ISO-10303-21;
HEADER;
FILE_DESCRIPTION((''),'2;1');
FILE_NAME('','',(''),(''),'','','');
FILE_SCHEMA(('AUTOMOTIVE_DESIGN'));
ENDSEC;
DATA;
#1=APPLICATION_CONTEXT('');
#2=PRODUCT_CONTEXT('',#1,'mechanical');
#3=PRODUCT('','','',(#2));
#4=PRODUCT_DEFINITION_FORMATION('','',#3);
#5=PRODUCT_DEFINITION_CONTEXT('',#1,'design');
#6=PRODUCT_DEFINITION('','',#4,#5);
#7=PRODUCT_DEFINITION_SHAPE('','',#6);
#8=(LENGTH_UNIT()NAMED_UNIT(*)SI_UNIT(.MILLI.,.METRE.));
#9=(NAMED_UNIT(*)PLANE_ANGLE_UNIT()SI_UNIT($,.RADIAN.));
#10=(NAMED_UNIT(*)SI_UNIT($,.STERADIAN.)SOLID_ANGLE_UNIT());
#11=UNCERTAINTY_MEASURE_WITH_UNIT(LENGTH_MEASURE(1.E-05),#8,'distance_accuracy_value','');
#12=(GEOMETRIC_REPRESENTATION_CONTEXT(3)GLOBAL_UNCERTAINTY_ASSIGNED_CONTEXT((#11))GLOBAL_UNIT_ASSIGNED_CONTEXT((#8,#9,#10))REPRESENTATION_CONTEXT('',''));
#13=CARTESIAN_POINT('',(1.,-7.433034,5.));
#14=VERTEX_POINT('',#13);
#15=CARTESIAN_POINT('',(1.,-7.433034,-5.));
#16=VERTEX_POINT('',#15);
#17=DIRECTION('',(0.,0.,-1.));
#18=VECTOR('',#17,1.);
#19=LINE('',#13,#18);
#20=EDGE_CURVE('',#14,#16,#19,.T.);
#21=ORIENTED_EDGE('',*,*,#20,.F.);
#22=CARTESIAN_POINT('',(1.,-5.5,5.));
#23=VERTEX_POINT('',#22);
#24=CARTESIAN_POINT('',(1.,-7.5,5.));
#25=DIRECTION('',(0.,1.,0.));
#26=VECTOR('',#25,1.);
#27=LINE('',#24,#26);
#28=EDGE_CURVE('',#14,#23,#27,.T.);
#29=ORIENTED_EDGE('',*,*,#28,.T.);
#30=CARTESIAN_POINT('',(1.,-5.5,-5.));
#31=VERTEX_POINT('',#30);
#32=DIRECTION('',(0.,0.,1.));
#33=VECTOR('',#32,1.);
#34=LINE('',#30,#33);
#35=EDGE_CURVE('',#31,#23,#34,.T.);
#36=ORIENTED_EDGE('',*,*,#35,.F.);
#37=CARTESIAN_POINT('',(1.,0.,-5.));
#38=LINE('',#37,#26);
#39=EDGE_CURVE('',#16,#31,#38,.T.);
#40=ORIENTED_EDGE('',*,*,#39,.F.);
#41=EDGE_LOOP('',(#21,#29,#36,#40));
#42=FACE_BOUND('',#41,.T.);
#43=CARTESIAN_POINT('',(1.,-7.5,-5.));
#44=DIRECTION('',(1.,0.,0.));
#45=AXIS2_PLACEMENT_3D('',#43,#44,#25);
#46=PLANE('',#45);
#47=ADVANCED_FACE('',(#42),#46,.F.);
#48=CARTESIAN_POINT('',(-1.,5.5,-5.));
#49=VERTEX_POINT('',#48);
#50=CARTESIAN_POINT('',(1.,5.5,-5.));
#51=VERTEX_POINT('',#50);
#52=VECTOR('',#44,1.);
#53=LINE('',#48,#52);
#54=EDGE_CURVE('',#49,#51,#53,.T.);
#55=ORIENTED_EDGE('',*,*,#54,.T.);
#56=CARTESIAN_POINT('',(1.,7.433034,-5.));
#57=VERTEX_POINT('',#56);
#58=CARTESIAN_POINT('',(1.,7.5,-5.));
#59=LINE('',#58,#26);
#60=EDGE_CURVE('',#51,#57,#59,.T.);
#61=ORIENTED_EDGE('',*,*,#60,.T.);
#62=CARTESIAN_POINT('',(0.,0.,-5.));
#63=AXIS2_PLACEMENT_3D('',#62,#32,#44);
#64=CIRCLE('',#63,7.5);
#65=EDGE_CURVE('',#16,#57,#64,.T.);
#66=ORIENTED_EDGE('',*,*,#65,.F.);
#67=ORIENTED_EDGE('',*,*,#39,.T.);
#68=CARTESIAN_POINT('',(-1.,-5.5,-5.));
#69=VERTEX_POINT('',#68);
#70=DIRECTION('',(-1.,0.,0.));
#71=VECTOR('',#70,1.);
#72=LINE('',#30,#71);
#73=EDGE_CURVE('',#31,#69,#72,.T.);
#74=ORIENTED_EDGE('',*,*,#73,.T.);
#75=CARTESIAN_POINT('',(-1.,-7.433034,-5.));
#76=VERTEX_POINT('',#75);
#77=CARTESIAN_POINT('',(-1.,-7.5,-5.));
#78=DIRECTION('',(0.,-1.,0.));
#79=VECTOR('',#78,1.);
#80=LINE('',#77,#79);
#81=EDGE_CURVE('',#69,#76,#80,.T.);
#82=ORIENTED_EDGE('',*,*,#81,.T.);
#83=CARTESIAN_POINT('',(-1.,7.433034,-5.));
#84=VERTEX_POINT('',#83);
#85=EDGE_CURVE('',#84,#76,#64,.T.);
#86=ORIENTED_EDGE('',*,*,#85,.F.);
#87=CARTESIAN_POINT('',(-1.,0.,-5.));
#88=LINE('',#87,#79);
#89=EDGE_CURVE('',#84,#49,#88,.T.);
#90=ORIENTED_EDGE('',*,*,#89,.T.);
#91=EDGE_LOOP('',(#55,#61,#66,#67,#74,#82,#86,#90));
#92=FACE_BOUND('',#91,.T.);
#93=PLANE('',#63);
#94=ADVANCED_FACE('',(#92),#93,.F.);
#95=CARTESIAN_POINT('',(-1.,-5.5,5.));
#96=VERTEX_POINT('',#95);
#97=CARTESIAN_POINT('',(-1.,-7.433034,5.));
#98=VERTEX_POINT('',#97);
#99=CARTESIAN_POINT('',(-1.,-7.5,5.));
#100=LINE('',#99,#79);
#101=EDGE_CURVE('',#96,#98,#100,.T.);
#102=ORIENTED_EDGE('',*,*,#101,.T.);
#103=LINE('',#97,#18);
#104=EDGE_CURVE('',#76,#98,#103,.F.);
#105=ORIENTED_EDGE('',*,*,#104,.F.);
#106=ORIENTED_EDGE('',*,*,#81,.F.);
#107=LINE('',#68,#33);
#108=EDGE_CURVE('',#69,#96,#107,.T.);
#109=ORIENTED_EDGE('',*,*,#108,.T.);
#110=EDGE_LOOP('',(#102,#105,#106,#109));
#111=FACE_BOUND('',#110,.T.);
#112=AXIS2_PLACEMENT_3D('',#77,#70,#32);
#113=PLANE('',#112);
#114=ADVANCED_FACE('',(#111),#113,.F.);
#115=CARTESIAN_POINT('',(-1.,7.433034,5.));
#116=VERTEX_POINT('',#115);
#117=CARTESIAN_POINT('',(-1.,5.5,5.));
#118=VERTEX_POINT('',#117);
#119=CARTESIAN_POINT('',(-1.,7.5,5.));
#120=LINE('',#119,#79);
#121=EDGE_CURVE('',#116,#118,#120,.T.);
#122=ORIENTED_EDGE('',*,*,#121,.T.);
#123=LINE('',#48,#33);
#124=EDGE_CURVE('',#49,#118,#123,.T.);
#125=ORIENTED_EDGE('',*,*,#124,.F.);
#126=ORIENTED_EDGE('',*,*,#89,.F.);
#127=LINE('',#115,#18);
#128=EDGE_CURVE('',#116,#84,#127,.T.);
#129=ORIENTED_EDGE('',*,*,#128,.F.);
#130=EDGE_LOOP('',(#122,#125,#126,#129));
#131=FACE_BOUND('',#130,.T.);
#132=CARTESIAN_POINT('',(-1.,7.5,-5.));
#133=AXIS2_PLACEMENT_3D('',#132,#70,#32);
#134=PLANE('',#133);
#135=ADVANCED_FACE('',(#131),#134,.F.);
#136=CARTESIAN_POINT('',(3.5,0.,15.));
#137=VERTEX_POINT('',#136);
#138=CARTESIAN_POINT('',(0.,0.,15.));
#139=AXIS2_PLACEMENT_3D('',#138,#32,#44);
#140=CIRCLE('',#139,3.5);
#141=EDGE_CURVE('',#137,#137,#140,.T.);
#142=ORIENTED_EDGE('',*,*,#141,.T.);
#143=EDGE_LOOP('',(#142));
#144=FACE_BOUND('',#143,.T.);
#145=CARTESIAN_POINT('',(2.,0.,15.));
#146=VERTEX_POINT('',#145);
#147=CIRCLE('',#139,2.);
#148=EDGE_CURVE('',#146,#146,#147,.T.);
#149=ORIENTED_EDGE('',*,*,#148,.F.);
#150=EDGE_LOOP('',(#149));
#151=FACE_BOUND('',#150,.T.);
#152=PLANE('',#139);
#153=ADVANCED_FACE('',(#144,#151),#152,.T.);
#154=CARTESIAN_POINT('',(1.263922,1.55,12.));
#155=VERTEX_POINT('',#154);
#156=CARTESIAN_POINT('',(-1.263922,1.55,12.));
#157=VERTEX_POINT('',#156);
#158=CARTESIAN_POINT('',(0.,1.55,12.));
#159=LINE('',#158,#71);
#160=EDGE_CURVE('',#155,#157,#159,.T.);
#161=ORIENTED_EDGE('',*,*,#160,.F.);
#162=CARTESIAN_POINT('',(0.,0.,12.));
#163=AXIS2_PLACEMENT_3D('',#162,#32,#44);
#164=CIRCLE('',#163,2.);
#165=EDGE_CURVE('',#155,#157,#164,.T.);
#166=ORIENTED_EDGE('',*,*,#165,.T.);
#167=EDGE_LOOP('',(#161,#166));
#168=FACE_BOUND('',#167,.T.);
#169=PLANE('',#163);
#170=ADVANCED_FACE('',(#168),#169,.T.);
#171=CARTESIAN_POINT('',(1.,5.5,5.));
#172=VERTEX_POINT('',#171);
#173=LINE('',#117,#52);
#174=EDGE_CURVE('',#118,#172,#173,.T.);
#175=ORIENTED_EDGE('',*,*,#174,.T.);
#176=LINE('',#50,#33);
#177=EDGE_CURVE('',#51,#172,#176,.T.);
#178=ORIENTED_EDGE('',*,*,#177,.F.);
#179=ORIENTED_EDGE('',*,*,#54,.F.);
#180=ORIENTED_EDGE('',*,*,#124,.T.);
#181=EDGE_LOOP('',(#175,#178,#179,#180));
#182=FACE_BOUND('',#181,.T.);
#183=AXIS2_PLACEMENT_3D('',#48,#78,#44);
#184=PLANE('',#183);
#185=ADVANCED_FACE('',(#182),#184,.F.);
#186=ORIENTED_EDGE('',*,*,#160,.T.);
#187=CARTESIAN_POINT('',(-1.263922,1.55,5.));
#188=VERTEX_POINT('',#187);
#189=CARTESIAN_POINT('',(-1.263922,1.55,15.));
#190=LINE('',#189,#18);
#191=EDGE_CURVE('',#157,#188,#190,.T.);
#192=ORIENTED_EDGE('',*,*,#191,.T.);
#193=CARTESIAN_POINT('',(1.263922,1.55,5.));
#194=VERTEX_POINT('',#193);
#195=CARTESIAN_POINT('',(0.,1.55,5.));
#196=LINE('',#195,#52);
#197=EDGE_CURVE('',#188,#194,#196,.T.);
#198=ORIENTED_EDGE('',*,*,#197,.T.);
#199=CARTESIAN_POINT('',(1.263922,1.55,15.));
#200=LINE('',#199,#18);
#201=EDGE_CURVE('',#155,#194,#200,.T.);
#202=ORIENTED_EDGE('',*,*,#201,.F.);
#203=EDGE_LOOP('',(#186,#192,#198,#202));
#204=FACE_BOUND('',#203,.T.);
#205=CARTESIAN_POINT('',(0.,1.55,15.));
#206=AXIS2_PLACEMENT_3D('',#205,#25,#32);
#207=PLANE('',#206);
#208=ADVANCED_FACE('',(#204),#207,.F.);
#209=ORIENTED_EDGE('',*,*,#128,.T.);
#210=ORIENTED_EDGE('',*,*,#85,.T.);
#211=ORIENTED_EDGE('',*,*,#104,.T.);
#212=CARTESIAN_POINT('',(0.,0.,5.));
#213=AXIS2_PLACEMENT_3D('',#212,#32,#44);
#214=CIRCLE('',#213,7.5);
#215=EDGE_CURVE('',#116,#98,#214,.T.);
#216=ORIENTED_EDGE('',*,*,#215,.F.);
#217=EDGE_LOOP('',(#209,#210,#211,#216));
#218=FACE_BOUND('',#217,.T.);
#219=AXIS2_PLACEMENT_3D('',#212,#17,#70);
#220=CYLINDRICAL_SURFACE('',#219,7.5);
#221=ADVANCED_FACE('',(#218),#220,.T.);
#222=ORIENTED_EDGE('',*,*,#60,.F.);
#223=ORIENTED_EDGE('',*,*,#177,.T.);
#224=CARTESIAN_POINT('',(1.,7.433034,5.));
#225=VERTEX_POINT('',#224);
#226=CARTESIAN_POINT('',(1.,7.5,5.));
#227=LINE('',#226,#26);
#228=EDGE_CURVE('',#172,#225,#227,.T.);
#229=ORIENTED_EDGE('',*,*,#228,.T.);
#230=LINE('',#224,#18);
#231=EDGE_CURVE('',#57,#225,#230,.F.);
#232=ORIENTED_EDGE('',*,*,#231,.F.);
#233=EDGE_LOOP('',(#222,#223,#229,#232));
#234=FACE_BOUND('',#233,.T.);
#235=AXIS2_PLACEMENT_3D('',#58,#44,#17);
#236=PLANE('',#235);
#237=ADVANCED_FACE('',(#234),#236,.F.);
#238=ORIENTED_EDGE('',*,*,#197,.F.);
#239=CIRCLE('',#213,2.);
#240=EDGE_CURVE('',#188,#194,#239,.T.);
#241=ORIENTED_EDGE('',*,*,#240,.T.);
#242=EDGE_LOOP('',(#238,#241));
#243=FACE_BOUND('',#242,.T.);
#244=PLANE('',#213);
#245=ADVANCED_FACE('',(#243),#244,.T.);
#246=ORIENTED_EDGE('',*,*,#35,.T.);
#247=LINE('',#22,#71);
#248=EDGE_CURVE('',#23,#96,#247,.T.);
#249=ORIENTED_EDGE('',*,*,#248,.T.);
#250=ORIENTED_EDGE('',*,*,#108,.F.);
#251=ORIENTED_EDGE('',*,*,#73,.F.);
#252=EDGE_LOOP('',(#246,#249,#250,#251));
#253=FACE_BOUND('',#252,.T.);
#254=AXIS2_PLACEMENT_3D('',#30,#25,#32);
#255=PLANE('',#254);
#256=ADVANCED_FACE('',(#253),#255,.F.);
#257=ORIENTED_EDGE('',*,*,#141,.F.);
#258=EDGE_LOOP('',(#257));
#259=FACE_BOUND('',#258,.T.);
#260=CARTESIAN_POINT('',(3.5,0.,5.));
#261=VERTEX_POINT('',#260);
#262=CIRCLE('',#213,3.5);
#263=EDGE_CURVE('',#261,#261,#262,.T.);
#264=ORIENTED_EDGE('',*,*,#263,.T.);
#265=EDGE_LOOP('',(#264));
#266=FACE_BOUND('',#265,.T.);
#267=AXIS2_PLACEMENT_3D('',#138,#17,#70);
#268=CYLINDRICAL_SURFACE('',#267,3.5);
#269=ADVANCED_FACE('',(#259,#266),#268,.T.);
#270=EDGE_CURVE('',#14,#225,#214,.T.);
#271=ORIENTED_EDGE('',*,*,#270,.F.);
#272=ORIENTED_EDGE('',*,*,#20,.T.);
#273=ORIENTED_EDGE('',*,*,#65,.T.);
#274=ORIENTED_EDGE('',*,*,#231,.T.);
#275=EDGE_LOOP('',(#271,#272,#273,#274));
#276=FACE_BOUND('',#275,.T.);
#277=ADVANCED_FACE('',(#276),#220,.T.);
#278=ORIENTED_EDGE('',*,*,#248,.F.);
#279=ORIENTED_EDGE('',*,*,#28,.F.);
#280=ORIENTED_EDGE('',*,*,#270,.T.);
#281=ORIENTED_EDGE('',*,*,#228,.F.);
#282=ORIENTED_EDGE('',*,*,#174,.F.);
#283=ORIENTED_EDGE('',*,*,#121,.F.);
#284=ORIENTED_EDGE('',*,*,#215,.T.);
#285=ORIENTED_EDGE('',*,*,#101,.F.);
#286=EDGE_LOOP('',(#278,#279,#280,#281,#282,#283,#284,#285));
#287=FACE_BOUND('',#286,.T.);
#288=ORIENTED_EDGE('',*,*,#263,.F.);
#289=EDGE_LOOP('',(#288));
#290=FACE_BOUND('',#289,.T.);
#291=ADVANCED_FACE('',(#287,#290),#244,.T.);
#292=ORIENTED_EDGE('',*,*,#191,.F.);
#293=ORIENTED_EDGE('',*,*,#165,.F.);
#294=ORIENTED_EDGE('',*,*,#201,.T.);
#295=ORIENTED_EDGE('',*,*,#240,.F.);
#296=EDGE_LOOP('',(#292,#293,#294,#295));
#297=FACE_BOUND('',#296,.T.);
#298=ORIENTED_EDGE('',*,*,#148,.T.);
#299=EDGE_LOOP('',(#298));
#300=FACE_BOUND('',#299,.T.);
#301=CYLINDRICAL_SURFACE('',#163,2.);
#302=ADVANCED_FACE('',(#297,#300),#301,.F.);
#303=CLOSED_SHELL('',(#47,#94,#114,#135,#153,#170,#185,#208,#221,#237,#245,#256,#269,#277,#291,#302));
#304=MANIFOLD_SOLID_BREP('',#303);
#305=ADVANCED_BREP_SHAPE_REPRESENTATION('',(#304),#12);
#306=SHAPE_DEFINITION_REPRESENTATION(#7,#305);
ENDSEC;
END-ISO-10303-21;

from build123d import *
from build123d.topology import SkipClean

# Parameters (mm, degrees)
SKETCH_1_R               = 7.5
EXTRUDE_1_DEPTH          = 5
SKETCH_6_R               = 3.5
EXTRUDE_2_DEPTH          = 10
SKETCH_7_R               = 2
CUT_EXTRUDE_1_DEPTH      = 3
CUT_EXTRUDE_2_DEPTH      = 21.03746491
CUT_EXTRUDE_2_DEPTH_BACK = 7
SKETCH_10_W              = 2
SKETCH_10_H              = 2
CUT_EXTRUDE_4_DEPTH      = 10


with BuildPart() as part:
    # Эскиз1 → Бобышка-Вытянуть1 (new, symmetric)
    with BuildSketch(Plane.XY):
        Circle(SKETCH_1_R)
    extrude(amount=EXTRUDE_1_DEPTH, both=True)

    # Эскиз6 → Бобышка-Вытянуть2 (add)
    with BuildSketch(Plane.XY.offset(5)):
        Circle(SKETCH_6_R)
    extrude(amount=EXTRUDE_2_DEPTH)

    # Эскиз7 → Вырез-Вытянуть1 (cut)
    with BuildSketch(Plane.XY.offset(15)):
        Circle(SKETCH_7_R)
    extrude(amount=-CUT_EXTRUDE_1_DEPTH, mode=Mode.SUBTRACT)

    # Эскиз8 → Вырез-Вытянуть2 (cut, two sides: drawn at the far end of the back side and taken through both)
    with SkipClean():  # the faces are left unmerged after this step: merging them gives an invalid solid
        with BuildSketch(Plane.XY.offset(12).offset(-CUT_EXTRUDE_2_DEPTH_BACK)):
            with BuildLine():
                Line((1.263922466, 1.55), (-1.263922466, 1.55))
                ThreePointArc((-1.263922466, 1.55), (-0.85794961, -1.806632908), (2, 0))
                ThreePointArc((2, 0), (1.806632908, 0.85794961), (1.263922466, 1.55))
            make_face()
        extrude(amount=CUT_EXTRUDE_2_DEPTH + CUT_EXTRUDE_2_DEPTH_BACK, mode=Mode.SUBTRACT)

    # Эскиз10 → Вырез-Вытянуть4 (cut)
    with SkipClean():  # the faces are left unmerged after this step: merging them gives an invalid solid
        with BuildSketch(Plane.XY.offset(5)):
            with Locations((0, 6.5)):
                Rectangle(SKETCH_10_W, SKETCH_10_H)
            with Locations((0, -6.5)):
                Rectangle(SKETCH_10_W, SKETCH_10_H)
        extrude(amount=-CUT_EXTRUDE_4_DEPTH, mode=Mode.SUBTRACT)


solid = part.part
